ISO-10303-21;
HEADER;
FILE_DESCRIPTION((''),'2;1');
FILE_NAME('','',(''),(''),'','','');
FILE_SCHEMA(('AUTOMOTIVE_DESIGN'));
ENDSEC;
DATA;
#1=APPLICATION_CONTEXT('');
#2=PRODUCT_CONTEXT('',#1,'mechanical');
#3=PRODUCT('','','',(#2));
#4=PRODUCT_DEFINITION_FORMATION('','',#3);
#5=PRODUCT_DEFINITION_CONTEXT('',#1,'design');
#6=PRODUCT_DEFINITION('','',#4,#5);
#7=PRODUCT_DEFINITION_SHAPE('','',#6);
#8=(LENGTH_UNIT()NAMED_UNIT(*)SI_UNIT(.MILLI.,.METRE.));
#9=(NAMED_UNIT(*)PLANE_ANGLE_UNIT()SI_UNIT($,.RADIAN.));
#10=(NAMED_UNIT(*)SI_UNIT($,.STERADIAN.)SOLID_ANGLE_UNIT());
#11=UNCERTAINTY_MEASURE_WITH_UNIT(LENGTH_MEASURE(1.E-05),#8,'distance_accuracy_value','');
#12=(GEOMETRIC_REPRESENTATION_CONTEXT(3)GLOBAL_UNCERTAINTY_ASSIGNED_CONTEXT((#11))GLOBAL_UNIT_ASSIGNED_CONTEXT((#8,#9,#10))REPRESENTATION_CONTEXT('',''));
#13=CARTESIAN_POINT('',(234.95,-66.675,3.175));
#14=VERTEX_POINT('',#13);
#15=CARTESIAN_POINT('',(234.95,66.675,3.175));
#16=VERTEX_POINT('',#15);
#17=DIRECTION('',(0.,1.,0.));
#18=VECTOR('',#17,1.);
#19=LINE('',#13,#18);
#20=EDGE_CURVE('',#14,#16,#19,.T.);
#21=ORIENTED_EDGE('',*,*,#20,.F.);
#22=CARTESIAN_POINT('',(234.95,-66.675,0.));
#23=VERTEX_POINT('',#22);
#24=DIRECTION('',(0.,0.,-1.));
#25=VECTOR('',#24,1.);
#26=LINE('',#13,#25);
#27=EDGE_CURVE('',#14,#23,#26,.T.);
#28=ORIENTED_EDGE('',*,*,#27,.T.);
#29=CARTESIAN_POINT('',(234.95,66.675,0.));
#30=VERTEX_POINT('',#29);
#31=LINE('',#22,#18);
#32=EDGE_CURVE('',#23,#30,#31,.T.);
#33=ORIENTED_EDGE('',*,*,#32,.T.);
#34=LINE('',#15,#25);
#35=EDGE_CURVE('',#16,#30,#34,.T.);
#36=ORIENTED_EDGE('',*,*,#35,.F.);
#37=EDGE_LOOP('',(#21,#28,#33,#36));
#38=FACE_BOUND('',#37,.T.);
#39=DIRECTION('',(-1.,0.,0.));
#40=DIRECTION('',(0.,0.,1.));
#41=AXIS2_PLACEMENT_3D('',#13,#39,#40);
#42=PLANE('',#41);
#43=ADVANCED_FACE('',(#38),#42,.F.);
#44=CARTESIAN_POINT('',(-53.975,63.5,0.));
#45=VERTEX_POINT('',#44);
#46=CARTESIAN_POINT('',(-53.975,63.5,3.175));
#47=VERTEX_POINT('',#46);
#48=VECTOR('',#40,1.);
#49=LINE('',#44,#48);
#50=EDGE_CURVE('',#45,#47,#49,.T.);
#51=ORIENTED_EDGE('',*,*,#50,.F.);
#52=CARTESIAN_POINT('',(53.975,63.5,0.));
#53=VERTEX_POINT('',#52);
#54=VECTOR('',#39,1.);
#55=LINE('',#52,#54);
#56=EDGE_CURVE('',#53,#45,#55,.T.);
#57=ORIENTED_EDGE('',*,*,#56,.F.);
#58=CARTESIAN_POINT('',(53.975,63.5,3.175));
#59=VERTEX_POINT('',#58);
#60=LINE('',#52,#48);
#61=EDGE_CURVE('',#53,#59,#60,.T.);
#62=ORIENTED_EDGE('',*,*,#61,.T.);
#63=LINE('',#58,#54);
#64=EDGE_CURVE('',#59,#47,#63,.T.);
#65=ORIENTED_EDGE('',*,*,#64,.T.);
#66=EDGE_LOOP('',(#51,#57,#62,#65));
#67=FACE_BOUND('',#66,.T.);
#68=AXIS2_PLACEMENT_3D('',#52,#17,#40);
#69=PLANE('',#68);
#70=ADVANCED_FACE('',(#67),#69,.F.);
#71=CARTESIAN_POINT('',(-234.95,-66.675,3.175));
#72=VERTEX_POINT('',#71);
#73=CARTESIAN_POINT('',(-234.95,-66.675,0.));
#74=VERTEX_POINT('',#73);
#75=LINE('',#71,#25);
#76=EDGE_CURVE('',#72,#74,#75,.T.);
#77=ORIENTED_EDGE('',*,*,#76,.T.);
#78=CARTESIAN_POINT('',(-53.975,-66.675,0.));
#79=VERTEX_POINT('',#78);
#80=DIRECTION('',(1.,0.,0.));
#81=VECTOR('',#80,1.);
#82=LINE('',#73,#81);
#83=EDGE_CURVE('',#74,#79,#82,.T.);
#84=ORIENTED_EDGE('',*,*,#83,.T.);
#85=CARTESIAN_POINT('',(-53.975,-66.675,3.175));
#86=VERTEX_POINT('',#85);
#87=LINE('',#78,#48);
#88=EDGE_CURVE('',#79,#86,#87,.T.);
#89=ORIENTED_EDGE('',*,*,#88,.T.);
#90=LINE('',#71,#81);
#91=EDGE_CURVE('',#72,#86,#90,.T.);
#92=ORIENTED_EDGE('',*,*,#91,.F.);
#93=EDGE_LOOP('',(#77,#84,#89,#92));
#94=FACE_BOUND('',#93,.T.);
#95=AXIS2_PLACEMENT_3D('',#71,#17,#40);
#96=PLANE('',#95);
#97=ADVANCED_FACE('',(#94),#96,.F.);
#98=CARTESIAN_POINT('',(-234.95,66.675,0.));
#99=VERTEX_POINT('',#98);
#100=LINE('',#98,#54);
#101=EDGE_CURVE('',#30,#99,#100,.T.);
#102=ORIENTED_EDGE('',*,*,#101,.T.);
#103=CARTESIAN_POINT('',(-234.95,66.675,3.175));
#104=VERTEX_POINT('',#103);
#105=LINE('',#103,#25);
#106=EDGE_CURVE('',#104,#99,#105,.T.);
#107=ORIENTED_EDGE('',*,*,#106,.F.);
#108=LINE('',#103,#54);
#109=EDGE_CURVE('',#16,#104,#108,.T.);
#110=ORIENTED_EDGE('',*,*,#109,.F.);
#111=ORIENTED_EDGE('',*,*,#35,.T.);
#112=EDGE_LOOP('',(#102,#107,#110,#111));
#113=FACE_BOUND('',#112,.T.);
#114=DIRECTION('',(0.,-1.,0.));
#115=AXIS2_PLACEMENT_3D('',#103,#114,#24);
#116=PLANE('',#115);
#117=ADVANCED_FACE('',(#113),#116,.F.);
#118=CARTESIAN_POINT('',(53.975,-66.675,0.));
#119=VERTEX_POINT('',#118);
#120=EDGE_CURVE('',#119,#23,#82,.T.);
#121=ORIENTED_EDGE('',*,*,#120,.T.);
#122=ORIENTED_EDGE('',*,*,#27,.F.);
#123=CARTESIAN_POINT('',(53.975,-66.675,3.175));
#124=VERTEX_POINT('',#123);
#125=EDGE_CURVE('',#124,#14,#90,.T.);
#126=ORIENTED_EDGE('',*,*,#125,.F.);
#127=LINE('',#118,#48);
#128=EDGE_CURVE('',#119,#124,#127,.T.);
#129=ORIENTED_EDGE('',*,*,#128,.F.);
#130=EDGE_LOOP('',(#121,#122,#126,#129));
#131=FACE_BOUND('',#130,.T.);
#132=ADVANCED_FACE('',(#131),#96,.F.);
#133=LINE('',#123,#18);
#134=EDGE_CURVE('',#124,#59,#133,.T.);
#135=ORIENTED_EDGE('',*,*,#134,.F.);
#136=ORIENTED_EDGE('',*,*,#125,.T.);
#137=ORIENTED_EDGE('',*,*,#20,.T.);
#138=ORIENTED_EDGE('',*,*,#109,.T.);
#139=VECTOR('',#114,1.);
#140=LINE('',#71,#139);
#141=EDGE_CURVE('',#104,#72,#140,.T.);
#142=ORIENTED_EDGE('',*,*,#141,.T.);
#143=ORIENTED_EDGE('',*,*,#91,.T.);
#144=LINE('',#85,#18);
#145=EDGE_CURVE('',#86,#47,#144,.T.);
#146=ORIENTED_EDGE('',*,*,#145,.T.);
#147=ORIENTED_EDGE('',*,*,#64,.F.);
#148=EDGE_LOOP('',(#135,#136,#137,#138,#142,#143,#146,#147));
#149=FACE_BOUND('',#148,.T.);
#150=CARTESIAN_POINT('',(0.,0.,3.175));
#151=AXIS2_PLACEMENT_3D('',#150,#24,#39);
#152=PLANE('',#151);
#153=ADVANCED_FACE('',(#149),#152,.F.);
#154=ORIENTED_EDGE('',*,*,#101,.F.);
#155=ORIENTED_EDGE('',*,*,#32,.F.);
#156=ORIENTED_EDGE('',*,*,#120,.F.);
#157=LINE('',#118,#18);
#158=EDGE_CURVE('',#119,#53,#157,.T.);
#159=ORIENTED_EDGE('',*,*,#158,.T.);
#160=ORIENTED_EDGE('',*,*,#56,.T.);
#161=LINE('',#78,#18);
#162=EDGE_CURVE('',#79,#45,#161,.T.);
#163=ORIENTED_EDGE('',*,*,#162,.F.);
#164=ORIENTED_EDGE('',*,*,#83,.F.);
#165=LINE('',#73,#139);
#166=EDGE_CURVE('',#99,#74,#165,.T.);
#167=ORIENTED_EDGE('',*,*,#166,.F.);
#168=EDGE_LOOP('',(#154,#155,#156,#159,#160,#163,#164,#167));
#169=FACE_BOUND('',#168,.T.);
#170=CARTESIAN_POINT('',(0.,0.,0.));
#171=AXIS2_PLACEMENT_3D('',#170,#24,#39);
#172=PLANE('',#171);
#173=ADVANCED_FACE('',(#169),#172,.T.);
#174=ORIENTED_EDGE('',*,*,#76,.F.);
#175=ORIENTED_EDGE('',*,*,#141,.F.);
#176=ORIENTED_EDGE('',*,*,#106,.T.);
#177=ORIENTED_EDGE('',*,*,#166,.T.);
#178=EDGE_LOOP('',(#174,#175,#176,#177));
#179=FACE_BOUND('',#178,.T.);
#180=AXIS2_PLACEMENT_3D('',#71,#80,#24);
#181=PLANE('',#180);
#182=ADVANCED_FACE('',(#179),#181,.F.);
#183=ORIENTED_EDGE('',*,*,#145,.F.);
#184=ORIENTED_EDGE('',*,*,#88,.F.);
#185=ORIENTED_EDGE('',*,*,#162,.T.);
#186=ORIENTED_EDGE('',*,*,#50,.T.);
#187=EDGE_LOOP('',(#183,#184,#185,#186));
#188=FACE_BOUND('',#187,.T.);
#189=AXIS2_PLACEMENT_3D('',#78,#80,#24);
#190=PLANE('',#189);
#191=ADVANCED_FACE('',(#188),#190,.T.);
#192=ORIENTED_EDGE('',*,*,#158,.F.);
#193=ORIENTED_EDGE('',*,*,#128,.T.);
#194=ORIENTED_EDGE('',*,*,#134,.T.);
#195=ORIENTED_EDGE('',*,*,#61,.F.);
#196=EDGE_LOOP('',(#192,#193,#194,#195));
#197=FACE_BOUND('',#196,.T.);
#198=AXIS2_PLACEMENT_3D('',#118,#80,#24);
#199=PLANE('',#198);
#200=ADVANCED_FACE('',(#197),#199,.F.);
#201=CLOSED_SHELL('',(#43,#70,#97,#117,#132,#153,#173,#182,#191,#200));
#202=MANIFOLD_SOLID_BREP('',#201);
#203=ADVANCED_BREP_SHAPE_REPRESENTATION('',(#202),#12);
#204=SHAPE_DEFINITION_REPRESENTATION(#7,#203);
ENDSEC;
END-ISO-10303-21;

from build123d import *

# Parameters (mm, degrees)
SKETCH1_W           = 469.9
SKETCH1_H           = 133.35
BOSS_EXTRUDE1_DEPTH = 3.175
SKETCH2_W           = 107.95
SKETCH2_H           = 130.175
CUT_EXTRUDE1_DEPTH  = 3.175


with BuildPart() as part:
    # Sketch1 → Boss-Extrude1 (new body)
    with BuildSketch(Plane.XY):
        Rectangle(SKETCH1_W, SKETCH1_H)
    extrude(amount=BOSS_EXTRUDE1_DEPTH)

    # Sketch2 → Cut-Extrude1 (cut)
    with BuildSketch(Plane.XY.offset(3.175)):
        with Locations((0, -1.5875)):
            Rectangle(SKETCH2_W, SKETCH2_H)
    extrude(amount=-CUT_EXTRUDE1_DEPTH, mode=Mode.SUBTRACT)


solid = part.part
